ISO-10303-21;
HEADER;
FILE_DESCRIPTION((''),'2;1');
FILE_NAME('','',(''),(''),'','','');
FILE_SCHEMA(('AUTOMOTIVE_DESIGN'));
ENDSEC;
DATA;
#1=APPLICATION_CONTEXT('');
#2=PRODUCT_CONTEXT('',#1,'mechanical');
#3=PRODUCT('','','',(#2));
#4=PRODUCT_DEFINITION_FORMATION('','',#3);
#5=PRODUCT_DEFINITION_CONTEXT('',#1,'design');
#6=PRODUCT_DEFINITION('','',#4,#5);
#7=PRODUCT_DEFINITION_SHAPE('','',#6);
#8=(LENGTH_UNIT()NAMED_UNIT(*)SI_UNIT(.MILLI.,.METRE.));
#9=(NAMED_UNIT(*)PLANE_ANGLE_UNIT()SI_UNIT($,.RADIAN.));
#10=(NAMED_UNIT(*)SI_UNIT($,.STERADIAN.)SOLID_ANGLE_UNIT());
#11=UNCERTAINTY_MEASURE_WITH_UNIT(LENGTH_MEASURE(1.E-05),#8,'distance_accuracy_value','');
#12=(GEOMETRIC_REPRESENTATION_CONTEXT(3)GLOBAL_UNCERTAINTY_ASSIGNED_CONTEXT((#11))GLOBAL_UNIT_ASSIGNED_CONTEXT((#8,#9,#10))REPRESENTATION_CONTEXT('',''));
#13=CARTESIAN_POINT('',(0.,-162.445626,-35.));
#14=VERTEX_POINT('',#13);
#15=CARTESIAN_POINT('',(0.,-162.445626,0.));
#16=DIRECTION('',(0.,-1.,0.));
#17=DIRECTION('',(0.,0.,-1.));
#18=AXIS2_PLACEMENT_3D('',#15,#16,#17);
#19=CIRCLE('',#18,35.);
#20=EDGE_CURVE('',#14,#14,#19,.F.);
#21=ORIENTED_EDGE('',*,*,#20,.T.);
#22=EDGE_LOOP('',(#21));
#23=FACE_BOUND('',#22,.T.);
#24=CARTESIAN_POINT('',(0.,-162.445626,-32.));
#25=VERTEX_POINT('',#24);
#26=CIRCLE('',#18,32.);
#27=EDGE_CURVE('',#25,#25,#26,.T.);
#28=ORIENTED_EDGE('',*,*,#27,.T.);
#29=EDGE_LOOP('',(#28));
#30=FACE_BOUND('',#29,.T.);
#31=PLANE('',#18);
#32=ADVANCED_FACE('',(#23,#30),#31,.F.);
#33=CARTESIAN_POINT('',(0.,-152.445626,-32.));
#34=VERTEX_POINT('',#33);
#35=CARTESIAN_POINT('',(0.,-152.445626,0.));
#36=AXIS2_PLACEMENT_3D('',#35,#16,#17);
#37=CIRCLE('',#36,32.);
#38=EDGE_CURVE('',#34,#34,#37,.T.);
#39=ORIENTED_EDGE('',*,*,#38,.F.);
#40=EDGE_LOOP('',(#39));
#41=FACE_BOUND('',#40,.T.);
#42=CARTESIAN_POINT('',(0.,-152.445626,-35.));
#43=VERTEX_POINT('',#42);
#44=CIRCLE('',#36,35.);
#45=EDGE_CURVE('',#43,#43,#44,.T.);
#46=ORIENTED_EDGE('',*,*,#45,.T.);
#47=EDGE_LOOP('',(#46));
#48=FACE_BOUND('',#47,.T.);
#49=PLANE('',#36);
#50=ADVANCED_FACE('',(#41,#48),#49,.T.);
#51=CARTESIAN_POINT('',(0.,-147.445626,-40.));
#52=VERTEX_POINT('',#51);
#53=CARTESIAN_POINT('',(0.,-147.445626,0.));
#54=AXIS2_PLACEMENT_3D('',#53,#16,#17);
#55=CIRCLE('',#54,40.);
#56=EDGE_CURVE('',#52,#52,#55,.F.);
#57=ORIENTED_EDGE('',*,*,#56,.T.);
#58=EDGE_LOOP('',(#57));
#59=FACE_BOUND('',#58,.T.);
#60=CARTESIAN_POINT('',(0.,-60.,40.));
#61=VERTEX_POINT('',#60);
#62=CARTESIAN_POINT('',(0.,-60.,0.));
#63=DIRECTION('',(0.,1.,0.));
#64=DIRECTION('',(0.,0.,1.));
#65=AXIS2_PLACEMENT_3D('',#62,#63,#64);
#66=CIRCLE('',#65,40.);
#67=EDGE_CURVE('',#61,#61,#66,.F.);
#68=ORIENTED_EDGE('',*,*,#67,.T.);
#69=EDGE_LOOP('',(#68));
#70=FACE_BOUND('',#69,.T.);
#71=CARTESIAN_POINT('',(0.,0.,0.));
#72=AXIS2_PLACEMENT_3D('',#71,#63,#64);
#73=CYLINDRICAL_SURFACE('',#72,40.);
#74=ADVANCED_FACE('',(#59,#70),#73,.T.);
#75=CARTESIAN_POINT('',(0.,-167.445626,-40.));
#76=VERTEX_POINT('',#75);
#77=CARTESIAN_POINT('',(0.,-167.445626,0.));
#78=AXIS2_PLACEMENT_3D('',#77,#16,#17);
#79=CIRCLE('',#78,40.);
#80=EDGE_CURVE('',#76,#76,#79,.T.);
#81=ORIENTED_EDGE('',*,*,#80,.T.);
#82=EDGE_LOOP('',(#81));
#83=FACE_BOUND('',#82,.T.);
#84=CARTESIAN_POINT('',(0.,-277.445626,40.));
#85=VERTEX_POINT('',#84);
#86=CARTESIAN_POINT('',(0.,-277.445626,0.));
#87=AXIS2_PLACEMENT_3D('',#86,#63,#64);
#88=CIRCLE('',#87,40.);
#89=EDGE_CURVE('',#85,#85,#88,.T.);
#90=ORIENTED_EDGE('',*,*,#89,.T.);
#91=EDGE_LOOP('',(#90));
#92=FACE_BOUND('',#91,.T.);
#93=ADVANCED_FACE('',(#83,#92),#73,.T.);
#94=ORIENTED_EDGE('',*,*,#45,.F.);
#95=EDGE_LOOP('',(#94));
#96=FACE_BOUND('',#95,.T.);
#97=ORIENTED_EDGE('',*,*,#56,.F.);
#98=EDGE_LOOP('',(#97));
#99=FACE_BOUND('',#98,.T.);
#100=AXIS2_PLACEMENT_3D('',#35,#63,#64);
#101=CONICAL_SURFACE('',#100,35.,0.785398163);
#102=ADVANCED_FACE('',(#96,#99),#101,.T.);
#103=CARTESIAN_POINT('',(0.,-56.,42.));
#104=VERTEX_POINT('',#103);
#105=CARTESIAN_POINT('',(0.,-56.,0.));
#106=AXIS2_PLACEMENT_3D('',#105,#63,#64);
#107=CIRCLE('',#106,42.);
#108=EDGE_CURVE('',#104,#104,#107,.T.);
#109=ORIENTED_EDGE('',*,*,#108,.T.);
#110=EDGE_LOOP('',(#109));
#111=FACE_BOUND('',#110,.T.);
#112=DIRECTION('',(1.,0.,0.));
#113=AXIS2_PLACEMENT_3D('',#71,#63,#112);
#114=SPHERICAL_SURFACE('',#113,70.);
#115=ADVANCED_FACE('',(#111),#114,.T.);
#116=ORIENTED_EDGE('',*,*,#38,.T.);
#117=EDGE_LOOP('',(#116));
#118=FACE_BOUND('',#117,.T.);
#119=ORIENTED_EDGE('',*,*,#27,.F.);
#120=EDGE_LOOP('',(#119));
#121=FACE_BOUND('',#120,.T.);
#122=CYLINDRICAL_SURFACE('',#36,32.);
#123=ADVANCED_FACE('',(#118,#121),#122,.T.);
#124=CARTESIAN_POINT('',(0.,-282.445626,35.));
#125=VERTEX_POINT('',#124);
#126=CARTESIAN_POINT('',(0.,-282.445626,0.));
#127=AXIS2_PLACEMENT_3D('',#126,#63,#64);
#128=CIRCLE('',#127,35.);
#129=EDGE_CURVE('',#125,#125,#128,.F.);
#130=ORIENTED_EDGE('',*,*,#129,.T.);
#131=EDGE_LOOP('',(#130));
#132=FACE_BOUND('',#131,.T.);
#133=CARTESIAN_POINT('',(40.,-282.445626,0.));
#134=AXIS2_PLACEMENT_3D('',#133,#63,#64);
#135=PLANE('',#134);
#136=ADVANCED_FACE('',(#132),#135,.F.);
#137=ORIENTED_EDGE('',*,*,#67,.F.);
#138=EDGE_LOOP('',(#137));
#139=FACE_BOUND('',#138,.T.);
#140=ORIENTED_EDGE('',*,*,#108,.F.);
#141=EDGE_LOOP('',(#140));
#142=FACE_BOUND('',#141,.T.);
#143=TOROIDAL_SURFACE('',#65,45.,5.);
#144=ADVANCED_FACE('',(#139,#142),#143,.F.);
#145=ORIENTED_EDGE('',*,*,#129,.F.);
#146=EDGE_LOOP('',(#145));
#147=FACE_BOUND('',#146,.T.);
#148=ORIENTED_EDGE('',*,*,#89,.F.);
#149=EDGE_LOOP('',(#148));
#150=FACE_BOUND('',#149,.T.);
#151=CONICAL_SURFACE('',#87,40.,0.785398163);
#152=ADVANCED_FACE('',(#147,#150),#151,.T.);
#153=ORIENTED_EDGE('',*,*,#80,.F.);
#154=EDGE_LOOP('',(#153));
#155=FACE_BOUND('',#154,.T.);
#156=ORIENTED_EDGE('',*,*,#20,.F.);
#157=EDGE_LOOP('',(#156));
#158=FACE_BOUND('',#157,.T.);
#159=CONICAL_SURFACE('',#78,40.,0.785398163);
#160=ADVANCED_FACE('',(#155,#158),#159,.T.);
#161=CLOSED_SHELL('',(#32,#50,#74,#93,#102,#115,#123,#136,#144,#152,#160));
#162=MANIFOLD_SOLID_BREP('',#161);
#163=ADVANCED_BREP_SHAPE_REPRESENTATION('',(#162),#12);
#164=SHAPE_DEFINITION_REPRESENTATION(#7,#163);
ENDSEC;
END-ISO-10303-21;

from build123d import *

# Parameters (mm, degrees)
SKETCH2_R          = 40
SKETCH2_R_2        = 32
CUT_EXTRUDE1_DEPTH = 10
FILLET1_R          = 5
CHAMFER1_SIZE      = 5


with BuildPart() as part:
    # Sketch1 → Revolve1 (revolve)
    with BuildSketch(Plane.XY):
        with BuildLine():
            Line((40, -57.445626465), (40, -282.445626465))
            Line((40, -282.445626465), (0, -282.445626465))
            Line((0, -282.445626465), (0, 70))
            ThreePointArc((0, 70), (66.787700412, 20.961943462), (40, -57.445626465))
        make_face()
    revolve(axis=Axis((0, 0, 0), (0, -1, 0)))

    # Sketch2 → Cut-Extrude1 (cut)
    with BuildSketch(Plane(origin=(0, -162.445626465, 0), x_dir=(-1, 0, 0), z_dir=(0, -1, 0))):
        with Locations(Location((0, 0, 0), (0, 0, 270))):
            Circle(SKETCH2_R)
        with Locations(Location((0, 0, 0), (0, 0, 90))):
            Circle(SKETCH2_R_2, mode=Mode.SUBTRACT)
    extrude(amount=-CUT_EXTRUDE1_DEPTH, mode=Mode.SUBTRACT)

    # Fillet1
    fillet1_edges = [part.edges().sort_by_distance(p)[0] for p in [
        (-40, -57.445626465, 0),
    ]]
    fillet(fillet1_edges, radius=FILLET1_R)

    # Chamfer1
    chamfer1_edges = [part.edges().sort_by_distance(p)[0] for p in [
        (-40, -152.445626465, 0),
        (-40, -162.445626465, 0),
        (-40, -282.445626465, 0),
    ]]
    chamfer(chamfer1_edges, length=CHAMFER1_SIZE)


solid = part.part
